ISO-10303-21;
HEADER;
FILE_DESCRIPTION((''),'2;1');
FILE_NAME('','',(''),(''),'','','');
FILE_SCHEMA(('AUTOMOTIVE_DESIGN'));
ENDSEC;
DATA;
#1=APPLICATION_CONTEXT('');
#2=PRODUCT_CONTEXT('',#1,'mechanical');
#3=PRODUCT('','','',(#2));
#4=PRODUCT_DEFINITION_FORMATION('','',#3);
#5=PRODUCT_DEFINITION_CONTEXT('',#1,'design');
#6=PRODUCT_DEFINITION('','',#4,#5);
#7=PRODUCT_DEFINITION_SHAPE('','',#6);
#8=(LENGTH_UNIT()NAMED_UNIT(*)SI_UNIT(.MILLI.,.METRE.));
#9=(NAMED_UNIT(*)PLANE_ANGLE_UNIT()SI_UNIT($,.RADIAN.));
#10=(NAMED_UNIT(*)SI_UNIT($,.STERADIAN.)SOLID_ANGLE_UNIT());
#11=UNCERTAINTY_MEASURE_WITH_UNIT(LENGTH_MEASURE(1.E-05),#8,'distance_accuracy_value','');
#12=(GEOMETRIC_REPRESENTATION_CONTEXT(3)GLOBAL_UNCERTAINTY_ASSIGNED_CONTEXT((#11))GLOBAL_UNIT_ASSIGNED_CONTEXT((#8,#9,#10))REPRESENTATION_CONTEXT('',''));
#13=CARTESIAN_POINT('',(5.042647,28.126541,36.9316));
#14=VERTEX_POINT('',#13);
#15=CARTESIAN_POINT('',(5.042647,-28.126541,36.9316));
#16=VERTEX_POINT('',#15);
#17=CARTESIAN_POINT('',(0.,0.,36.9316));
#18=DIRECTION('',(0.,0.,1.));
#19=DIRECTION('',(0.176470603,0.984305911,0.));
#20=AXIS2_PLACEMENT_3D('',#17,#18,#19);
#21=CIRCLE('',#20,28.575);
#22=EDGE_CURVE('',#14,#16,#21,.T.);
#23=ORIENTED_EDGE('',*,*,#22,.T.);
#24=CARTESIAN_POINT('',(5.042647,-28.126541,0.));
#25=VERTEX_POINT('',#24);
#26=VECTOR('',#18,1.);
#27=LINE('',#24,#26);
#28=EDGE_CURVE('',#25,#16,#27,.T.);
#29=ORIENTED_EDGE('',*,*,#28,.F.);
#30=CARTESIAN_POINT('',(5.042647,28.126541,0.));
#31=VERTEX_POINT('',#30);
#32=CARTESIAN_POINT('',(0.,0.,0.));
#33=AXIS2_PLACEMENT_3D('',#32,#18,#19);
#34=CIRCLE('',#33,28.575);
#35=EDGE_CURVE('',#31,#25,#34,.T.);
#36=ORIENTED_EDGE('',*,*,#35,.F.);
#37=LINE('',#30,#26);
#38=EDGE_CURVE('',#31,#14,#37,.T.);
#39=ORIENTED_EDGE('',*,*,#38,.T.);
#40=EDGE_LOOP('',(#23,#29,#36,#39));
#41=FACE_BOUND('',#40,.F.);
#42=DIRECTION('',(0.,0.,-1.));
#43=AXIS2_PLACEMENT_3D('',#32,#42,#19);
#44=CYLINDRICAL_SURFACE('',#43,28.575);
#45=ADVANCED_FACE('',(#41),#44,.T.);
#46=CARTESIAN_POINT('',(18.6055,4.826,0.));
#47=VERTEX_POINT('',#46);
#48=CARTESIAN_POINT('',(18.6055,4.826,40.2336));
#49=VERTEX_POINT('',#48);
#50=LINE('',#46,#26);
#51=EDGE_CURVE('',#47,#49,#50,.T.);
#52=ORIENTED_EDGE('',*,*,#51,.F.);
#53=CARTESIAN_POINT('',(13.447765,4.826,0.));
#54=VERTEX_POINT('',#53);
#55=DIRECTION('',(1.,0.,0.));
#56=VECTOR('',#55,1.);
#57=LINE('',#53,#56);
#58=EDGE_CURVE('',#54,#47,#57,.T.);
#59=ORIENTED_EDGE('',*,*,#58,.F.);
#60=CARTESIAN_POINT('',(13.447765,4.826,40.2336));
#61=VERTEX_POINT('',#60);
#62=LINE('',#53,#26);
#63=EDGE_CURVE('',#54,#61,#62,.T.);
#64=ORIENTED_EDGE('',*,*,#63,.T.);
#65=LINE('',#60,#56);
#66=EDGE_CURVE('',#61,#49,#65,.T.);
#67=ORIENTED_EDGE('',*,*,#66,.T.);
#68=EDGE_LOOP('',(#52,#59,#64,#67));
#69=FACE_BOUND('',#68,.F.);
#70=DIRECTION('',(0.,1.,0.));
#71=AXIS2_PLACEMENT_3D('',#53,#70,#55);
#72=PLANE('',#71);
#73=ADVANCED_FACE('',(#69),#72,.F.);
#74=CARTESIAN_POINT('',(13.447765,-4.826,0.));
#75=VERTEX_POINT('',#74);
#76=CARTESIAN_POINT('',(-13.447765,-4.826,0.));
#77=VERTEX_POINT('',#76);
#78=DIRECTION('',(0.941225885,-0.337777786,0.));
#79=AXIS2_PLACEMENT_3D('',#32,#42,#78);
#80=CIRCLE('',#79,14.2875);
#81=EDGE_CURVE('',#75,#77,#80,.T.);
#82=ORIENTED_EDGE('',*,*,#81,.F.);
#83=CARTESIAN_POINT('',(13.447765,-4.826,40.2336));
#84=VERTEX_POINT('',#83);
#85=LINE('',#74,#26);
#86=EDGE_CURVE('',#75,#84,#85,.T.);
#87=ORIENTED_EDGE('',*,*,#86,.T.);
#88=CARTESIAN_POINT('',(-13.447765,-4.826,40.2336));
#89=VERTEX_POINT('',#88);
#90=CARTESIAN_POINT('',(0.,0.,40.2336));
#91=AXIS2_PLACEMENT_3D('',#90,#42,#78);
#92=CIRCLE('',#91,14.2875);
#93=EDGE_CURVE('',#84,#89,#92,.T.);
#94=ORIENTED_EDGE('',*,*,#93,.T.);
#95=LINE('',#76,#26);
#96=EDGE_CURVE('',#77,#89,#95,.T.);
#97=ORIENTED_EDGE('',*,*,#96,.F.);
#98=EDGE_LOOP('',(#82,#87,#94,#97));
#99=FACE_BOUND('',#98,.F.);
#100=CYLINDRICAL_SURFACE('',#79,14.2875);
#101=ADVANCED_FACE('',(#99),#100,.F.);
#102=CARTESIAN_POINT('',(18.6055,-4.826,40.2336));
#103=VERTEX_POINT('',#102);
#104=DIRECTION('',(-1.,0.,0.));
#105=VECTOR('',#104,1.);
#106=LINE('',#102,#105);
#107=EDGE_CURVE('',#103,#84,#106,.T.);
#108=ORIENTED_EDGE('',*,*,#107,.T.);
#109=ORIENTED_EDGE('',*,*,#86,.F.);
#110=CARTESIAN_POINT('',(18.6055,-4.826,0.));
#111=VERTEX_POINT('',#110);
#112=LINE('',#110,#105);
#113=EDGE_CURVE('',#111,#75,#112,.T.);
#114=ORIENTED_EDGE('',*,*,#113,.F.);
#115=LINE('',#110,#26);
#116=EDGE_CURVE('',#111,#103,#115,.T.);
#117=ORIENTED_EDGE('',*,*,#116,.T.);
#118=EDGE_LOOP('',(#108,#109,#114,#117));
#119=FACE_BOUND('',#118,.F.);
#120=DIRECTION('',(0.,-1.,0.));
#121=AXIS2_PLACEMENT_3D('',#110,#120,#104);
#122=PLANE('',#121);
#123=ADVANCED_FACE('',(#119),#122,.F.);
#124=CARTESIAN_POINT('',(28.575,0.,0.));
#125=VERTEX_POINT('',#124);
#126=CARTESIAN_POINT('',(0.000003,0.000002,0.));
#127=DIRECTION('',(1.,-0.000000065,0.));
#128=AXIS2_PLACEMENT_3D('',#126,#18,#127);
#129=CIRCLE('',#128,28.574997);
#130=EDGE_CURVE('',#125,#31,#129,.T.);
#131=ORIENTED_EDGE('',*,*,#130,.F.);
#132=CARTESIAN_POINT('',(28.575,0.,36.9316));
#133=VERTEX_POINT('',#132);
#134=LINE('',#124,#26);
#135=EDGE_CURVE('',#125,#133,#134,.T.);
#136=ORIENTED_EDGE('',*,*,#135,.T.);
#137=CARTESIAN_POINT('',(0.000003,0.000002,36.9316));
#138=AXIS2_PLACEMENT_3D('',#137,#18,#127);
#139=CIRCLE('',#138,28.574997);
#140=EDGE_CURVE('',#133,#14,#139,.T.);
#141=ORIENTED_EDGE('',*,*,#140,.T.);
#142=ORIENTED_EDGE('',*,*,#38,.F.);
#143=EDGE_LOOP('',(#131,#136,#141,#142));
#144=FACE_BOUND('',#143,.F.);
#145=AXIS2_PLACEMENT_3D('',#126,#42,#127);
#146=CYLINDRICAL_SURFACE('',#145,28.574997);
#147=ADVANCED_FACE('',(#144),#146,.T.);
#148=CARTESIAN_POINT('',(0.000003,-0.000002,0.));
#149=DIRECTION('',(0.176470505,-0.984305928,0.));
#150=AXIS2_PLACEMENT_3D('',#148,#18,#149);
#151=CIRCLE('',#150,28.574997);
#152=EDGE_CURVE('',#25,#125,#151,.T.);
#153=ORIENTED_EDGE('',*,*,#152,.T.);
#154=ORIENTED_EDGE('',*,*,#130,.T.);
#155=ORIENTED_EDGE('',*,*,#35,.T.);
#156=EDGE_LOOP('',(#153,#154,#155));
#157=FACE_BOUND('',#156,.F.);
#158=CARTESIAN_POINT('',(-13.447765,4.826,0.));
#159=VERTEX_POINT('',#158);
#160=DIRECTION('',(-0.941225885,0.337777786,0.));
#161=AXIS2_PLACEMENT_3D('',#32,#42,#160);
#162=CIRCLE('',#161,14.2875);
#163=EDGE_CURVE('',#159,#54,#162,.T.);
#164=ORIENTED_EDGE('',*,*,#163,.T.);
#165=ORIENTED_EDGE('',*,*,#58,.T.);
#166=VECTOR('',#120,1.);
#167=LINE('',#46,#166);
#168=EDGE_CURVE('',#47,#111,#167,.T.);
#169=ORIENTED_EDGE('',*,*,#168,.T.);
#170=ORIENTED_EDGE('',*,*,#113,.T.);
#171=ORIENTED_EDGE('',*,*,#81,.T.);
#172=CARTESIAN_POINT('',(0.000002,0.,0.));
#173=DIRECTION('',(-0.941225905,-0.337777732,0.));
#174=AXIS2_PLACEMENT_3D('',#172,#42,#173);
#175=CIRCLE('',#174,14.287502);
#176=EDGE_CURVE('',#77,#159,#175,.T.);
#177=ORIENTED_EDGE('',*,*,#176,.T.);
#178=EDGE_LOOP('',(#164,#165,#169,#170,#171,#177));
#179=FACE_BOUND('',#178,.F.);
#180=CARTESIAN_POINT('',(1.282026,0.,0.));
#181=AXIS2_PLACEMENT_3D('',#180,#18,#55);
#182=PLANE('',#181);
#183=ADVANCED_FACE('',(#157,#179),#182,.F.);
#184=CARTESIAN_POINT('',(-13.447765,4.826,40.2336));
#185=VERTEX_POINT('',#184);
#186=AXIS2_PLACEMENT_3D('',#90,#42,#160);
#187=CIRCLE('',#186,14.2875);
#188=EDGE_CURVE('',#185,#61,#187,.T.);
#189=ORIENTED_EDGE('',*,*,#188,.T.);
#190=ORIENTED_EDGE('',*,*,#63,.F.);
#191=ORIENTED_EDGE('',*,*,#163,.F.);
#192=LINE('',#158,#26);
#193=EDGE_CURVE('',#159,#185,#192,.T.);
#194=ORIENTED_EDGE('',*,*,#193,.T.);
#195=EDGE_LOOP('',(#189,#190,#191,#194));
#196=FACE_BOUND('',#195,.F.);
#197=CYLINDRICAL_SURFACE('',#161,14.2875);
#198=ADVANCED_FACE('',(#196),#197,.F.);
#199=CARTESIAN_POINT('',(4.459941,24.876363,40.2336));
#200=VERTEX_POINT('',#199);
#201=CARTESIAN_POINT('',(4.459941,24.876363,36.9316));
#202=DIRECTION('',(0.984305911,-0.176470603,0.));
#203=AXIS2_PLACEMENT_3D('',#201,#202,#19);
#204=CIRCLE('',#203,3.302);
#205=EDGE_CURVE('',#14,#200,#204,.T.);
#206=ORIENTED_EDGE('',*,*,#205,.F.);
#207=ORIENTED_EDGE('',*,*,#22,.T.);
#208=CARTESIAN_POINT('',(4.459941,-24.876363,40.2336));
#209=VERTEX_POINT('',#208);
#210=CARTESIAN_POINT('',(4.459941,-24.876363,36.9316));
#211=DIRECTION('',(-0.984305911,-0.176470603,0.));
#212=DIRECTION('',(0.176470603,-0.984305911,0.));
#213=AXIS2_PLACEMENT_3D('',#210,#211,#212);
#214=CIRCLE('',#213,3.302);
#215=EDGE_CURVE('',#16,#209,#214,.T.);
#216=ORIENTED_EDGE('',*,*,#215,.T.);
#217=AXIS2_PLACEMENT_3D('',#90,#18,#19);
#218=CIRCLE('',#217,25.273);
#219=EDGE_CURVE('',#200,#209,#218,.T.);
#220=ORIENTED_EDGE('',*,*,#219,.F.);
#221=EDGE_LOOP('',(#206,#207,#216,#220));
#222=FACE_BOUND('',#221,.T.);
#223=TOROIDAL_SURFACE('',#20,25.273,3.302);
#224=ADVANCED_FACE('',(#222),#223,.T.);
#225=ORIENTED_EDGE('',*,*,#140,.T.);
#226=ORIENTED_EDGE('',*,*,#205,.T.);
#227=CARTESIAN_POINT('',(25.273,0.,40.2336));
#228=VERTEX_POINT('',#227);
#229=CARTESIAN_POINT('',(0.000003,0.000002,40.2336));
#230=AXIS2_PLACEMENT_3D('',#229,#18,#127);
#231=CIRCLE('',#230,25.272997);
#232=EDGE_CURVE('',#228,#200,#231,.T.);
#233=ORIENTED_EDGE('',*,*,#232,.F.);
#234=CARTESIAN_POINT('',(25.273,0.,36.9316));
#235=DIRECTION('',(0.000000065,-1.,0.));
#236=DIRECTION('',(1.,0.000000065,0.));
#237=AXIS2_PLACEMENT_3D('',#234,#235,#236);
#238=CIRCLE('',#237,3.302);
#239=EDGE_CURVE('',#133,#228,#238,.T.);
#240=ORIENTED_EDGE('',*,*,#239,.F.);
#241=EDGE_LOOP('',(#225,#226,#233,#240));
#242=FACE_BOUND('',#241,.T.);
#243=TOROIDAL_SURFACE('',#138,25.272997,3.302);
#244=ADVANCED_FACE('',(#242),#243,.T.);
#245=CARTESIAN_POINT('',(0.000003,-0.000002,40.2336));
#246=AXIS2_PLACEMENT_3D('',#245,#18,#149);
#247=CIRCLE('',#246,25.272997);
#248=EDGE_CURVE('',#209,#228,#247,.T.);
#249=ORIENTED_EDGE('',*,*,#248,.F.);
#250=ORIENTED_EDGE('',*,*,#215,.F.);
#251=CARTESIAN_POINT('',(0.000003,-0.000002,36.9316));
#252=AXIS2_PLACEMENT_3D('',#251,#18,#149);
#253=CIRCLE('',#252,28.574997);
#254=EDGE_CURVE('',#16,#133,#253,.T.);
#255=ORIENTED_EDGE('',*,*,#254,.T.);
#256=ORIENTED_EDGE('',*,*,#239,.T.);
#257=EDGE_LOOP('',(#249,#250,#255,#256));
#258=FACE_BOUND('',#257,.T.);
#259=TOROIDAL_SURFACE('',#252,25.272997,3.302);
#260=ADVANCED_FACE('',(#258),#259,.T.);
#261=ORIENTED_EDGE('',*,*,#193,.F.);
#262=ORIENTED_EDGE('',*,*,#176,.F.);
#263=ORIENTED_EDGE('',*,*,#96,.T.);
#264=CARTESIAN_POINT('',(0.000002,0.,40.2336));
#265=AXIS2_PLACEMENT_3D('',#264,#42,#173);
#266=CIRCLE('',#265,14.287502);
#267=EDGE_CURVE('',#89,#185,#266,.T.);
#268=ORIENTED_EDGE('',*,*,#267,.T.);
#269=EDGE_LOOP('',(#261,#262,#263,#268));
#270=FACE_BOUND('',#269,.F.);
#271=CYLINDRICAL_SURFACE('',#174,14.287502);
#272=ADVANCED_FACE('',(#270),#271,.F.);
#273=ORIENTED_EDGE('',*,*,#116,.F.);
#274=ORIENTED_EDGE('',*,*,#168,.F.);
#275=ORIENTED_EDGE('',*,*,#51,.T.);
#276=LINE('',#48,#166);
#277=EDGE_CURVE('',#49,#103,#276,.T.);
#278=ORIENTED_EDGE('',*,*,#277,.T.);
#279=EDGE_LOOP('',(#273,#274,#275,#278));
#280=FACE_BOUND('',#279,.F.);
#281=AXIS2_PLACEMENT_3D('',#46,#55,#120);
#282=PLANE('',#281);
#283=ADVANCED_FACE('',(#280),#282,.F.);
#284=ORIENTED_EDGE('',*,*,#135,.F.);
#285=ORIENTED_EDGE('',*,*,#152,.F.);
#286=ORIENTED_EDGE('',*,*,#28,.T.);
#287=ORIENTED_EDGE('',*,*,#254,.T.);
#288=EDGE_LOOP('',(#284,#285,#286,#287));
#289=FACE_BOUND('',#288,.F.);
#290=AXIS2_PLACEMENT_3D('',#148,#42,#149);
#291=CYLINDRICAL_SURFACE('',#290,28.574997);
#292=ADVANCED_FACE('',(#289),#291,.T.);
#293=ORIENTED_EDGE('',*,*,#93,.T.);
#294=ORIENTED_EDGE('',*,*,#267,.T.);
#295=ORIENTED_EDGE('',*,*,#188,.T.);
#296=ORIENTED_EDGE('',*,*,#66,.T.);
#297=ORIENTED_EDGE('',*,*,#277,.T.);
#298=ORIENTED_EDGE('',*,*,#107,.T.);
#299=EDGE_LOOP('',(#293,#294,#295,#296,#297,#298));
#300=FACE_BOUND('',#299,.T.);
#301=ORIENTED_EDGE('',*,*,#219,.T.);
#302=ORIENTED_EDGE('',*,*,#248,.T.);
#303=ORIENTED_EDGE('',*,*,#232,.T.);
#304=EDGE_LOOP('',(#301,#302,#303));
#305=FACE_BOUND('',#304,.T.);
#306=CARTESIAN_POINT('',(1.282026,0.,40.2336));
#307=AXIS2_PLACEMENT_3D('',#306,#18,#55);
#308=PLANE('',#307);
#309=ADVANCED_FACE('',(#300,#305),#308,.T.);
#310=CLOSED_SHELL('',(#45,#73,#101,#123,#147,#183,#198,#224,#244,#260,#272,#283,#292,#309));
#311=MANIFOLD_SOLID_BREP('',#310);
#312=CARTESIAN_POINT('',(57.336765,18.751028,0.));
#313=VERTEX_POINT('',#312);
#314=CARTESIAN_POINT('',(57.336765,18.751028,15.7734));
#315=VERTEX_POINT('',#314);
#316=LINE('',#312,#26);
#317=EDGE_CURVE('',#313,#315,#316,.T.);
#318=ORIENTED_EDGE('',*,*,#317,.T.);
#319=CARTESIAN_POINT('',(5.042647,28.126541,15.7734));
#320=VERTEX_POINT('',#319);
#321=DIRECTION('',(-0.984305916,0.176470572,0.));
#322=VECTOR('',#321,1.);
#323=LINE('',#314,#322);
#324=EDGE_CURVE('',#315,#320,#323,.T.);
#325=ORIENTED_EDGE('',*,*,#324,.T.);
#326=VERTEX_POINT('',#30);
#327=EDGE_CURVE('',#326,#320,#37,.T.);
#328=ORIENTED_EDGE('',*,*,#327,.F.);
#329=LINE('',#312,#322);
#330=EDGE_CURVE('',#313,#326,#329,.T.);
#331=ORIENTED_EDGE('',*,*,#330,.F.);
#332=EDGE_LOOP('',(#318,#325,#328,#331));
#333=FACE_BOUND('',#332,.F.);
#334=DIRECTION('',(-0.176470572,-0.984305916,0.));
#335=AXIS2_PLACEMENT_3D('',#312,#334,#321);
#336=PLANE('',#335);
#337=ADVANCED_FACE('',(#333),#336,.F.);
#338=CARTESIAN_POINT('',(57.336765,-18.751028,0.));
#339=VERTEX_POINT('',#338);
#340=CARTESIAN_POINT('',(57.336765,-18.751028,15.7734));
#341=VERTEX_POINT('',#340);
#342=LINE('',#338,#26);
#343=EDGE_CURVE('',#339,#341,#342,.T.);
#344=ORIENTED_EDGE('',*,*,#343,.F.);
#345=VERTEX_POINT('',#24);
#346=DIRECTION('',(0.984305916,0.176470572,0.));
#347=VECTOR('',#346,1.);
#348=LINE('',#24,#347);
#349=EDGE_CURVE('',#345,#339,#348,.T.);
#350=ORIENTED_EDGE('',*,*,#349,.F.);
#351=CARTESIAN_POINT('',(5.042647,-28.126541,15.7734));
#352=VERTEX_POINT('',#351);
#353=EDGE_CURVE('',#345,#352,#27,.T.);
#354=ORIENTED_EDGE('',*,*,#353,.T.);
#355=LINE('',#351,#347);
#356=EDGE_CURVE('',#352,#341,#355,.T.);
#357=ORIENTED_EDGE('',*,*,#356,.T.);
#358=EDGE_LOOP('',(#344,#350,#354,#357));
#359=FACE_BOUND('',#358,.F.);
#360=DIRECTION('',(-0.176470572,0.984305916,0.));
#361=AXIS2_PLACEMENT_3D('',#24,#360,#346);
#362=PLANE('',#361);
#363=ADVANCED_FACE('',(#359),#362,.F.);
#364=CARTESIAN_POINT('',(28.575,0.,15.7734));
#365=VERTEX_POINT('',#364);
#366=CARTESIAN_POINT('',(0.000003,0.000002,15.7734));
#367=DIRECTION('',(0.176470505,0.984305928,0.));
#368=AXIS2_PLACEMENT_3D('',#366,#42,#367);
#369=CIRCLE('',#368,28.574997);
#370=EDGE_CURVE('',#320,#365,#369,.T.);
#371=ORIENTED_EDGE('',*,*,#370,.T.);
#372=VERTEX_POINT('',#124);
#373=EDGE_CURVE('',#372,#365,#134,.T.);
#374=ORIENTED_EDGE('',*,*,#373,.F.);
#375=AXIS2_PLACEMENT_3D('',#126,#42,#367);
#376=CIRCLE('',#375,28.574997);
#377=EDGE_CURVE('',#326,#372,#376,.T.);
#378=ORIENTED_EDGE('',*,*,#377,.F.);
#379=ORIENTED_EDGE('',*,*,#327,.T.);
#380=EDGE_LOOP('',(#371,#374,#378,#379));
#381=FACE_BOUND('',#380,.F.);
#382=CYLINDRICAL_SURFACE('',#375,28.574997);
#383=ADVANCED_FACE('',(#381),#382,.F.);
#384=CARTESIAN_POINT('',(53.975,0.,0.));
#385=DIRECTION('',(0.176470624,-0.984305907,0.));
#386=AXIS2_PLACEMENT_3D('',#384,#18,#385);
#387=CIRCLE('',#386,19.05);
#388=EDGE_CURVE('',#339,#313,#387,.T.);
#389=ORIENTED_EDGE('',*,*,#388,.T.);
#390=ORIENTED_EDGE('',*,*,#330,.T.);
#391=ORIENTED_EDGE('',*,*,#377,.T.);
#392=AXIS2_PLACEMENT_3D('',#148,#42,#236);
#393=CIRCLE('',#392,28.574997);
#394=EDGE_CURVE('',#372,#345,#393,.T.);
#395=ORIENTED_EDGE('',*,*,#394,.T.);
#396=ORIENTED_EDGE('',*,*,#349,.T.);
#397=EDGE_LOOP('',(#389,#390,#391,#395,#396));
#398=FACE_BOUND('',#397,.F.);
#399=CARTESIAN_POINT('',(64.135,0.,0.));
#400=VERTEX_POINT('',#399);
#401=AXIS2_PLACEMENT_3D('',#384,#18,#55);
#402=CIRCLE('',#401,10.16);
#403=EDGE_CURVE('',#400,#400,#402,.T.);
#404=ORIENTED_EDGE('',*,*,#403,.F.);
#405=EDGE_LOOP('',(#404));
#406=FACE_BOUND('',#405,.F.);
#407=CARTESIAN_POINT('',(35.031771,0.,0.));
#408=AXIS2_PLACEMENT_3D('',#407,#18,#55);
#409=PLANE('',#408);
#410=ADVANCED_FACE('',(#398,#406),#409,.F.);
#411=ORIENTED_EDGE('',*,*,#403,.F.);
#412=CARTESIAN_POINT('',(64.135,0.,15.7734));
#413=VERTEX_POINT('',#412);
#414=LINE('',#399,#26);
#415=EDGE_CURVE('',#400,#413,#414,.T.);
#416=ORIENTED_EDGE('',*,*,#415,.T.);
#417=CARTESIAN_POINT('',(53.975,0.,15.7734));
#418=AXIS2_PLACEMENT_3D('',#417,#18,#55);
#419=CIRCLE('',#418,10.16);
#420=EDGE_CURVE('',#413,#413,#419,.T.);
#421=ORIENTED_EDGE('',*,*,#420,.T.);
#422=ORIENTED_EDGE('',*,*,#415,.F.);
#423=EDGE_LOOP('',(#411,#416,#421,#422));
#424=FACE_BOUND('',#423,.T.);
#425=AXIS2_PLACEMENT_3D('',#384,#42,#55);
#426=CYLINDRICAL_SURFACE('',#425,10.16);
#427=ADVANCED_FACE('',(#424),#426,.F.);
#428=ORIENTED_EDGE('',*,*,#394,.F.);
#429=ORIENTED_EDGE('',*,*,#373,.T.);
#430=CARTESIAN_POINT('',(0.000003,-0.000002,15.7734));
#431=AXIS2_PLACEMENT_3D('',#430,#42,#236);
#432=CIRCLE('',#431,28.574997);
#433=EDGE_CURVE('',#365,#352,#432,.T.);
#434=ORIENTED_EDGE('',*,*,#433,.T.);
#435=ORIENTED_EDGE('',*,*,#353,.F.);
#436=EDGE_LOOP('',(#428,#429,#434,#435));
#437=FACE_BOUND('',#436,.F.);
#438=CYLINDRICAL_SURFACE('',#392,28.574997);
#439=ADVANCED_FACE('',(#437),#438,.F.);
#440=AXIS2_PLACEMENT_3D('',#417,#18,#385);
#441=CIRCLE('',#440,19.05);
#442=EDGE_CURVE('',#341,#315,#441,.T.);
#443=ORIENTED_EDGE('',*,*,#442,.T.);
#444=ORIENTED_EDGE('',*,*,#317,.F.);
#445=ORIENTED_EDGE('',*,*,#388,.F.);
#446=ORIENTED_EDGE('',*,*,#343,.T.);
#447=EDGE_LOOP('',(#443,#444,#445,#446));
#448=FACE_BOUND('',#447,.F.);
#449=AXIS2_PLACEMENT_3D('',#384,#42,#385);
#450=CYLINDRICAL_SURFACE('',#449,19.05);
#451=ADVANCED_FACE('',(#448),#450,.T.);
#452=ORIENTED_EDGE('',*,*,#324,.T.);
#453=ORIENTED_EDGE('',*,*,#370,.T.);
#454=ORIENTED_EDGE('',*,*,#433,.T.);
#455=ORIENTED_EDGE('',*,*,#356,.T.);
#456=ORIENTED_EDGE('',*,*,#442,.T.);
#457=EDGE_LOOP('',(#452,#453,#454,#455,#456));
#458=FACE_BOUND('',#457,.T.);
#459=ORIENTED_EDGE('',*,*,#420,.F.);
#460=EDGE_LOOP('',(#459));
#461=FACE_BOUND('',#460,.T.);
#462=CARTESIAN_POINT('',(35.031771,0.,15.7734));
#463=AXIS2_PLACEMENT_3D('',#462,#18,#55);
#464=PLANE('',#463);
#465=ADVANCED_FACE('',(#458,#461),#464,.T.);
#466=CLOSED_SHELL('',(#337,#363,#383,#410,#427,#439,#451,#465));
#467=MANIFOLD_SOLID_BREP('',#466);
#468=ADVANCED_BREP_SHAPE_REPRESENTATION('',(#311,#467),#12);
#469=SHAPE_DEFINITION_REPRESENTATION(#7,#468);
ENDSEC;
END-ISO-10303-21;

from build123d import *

# Parameters (mm, degrees)
F1_DEPTH = 40.2336
F0_R     = 10.16
F2_DEPTH = 15.7734
F3_R     = 3.302


with BuildPart() as f1:
    # F0 (on Top) → F1 (new body)
    with BuildSketch(Plane.XY):
        with BuildLine():
            ThreePointArc((5.042647, -28.126541), (21.916025, -18.336262), (28.575, 0))
            ThreePointArc((28.575, 0), (21.916025, 18.336262), (5.042647, 28.126541))
            ThreePointArc((5.042647, 28.126541), (-28.575, 0), (5.042647, -28.126541))
        make_face()
        with BuildLine():
            ThreePointArc((-13.447765, 4.826), (0, 14.2875), (13.447765, 4.826))
            Line((13.447765, 4.826), (18.6055, 4.826))
            Line((18.6055, 4.826), (18.6055, -4.826))
            Line((18.6055, -4.826), (13.447765, -4.826))
            ThreePointArc((13.447765, -4.826), (0, -14.2875), (-13.447765, -4.826))
            Line((-13.447765, -4.826), (-18.6055, -4.826))
            Line((-18.6055, -4.826), (-18.6055, 4.826))
            Line((-18.6055, 4.826), (-13.447765, 4.826))
        make_face(mode=Mode.SUBTRACT)
        with BuildLine():
            ThreePointArc((-13.447765, -4.826), (-14.2875, 0), (-13.447765, 4.826))
            Line((-13.447765, 4.826), (-18.6055, 4.826))
            Line((-18.6055, 4.826), (-18.6055, -4.826))
            Line((-18.6055, -4.826), (-13.447765, -4.826))
        make_face()
    extrude(amount=F1_DEPTH)

    # F3
    f3_edges = [f1.edges().sort_by_distance(p)[0] for p in [
        (-5.042647, 28.126541, 40.2336),
    ]]
    fillet(f3_edges, radius=F3_R)


with BuildPart() as f2:
    # F0 (on Top) → F2 (new body)
    with BuildSketch(Plane.XY):
        with BuildLine():
            ThreePointArc((5.042647, 28.126541), (21.916025, 18.336262), (28.575, 0))
            ThreePointArc((28.575, 0), (21.916025, -18.336262), (5.042647, -28.126541))
            Line((5.042647, -28.126541), (57.336765, -18.751028))
            ThreePointArc((57.336765, -18.751028), (73.025, 0), (57.336765, 18.751028))
            Line((57.336765, 18.751028), (5.042647, 28.126541))
        make_face()
        with Locations((53.975, 0)):
            Circle(F0_R, mode=Mode.SUBTRACT)
    extrude(amount=F2_DEPTH)


solid = Compound([f1.part, f2.part])
